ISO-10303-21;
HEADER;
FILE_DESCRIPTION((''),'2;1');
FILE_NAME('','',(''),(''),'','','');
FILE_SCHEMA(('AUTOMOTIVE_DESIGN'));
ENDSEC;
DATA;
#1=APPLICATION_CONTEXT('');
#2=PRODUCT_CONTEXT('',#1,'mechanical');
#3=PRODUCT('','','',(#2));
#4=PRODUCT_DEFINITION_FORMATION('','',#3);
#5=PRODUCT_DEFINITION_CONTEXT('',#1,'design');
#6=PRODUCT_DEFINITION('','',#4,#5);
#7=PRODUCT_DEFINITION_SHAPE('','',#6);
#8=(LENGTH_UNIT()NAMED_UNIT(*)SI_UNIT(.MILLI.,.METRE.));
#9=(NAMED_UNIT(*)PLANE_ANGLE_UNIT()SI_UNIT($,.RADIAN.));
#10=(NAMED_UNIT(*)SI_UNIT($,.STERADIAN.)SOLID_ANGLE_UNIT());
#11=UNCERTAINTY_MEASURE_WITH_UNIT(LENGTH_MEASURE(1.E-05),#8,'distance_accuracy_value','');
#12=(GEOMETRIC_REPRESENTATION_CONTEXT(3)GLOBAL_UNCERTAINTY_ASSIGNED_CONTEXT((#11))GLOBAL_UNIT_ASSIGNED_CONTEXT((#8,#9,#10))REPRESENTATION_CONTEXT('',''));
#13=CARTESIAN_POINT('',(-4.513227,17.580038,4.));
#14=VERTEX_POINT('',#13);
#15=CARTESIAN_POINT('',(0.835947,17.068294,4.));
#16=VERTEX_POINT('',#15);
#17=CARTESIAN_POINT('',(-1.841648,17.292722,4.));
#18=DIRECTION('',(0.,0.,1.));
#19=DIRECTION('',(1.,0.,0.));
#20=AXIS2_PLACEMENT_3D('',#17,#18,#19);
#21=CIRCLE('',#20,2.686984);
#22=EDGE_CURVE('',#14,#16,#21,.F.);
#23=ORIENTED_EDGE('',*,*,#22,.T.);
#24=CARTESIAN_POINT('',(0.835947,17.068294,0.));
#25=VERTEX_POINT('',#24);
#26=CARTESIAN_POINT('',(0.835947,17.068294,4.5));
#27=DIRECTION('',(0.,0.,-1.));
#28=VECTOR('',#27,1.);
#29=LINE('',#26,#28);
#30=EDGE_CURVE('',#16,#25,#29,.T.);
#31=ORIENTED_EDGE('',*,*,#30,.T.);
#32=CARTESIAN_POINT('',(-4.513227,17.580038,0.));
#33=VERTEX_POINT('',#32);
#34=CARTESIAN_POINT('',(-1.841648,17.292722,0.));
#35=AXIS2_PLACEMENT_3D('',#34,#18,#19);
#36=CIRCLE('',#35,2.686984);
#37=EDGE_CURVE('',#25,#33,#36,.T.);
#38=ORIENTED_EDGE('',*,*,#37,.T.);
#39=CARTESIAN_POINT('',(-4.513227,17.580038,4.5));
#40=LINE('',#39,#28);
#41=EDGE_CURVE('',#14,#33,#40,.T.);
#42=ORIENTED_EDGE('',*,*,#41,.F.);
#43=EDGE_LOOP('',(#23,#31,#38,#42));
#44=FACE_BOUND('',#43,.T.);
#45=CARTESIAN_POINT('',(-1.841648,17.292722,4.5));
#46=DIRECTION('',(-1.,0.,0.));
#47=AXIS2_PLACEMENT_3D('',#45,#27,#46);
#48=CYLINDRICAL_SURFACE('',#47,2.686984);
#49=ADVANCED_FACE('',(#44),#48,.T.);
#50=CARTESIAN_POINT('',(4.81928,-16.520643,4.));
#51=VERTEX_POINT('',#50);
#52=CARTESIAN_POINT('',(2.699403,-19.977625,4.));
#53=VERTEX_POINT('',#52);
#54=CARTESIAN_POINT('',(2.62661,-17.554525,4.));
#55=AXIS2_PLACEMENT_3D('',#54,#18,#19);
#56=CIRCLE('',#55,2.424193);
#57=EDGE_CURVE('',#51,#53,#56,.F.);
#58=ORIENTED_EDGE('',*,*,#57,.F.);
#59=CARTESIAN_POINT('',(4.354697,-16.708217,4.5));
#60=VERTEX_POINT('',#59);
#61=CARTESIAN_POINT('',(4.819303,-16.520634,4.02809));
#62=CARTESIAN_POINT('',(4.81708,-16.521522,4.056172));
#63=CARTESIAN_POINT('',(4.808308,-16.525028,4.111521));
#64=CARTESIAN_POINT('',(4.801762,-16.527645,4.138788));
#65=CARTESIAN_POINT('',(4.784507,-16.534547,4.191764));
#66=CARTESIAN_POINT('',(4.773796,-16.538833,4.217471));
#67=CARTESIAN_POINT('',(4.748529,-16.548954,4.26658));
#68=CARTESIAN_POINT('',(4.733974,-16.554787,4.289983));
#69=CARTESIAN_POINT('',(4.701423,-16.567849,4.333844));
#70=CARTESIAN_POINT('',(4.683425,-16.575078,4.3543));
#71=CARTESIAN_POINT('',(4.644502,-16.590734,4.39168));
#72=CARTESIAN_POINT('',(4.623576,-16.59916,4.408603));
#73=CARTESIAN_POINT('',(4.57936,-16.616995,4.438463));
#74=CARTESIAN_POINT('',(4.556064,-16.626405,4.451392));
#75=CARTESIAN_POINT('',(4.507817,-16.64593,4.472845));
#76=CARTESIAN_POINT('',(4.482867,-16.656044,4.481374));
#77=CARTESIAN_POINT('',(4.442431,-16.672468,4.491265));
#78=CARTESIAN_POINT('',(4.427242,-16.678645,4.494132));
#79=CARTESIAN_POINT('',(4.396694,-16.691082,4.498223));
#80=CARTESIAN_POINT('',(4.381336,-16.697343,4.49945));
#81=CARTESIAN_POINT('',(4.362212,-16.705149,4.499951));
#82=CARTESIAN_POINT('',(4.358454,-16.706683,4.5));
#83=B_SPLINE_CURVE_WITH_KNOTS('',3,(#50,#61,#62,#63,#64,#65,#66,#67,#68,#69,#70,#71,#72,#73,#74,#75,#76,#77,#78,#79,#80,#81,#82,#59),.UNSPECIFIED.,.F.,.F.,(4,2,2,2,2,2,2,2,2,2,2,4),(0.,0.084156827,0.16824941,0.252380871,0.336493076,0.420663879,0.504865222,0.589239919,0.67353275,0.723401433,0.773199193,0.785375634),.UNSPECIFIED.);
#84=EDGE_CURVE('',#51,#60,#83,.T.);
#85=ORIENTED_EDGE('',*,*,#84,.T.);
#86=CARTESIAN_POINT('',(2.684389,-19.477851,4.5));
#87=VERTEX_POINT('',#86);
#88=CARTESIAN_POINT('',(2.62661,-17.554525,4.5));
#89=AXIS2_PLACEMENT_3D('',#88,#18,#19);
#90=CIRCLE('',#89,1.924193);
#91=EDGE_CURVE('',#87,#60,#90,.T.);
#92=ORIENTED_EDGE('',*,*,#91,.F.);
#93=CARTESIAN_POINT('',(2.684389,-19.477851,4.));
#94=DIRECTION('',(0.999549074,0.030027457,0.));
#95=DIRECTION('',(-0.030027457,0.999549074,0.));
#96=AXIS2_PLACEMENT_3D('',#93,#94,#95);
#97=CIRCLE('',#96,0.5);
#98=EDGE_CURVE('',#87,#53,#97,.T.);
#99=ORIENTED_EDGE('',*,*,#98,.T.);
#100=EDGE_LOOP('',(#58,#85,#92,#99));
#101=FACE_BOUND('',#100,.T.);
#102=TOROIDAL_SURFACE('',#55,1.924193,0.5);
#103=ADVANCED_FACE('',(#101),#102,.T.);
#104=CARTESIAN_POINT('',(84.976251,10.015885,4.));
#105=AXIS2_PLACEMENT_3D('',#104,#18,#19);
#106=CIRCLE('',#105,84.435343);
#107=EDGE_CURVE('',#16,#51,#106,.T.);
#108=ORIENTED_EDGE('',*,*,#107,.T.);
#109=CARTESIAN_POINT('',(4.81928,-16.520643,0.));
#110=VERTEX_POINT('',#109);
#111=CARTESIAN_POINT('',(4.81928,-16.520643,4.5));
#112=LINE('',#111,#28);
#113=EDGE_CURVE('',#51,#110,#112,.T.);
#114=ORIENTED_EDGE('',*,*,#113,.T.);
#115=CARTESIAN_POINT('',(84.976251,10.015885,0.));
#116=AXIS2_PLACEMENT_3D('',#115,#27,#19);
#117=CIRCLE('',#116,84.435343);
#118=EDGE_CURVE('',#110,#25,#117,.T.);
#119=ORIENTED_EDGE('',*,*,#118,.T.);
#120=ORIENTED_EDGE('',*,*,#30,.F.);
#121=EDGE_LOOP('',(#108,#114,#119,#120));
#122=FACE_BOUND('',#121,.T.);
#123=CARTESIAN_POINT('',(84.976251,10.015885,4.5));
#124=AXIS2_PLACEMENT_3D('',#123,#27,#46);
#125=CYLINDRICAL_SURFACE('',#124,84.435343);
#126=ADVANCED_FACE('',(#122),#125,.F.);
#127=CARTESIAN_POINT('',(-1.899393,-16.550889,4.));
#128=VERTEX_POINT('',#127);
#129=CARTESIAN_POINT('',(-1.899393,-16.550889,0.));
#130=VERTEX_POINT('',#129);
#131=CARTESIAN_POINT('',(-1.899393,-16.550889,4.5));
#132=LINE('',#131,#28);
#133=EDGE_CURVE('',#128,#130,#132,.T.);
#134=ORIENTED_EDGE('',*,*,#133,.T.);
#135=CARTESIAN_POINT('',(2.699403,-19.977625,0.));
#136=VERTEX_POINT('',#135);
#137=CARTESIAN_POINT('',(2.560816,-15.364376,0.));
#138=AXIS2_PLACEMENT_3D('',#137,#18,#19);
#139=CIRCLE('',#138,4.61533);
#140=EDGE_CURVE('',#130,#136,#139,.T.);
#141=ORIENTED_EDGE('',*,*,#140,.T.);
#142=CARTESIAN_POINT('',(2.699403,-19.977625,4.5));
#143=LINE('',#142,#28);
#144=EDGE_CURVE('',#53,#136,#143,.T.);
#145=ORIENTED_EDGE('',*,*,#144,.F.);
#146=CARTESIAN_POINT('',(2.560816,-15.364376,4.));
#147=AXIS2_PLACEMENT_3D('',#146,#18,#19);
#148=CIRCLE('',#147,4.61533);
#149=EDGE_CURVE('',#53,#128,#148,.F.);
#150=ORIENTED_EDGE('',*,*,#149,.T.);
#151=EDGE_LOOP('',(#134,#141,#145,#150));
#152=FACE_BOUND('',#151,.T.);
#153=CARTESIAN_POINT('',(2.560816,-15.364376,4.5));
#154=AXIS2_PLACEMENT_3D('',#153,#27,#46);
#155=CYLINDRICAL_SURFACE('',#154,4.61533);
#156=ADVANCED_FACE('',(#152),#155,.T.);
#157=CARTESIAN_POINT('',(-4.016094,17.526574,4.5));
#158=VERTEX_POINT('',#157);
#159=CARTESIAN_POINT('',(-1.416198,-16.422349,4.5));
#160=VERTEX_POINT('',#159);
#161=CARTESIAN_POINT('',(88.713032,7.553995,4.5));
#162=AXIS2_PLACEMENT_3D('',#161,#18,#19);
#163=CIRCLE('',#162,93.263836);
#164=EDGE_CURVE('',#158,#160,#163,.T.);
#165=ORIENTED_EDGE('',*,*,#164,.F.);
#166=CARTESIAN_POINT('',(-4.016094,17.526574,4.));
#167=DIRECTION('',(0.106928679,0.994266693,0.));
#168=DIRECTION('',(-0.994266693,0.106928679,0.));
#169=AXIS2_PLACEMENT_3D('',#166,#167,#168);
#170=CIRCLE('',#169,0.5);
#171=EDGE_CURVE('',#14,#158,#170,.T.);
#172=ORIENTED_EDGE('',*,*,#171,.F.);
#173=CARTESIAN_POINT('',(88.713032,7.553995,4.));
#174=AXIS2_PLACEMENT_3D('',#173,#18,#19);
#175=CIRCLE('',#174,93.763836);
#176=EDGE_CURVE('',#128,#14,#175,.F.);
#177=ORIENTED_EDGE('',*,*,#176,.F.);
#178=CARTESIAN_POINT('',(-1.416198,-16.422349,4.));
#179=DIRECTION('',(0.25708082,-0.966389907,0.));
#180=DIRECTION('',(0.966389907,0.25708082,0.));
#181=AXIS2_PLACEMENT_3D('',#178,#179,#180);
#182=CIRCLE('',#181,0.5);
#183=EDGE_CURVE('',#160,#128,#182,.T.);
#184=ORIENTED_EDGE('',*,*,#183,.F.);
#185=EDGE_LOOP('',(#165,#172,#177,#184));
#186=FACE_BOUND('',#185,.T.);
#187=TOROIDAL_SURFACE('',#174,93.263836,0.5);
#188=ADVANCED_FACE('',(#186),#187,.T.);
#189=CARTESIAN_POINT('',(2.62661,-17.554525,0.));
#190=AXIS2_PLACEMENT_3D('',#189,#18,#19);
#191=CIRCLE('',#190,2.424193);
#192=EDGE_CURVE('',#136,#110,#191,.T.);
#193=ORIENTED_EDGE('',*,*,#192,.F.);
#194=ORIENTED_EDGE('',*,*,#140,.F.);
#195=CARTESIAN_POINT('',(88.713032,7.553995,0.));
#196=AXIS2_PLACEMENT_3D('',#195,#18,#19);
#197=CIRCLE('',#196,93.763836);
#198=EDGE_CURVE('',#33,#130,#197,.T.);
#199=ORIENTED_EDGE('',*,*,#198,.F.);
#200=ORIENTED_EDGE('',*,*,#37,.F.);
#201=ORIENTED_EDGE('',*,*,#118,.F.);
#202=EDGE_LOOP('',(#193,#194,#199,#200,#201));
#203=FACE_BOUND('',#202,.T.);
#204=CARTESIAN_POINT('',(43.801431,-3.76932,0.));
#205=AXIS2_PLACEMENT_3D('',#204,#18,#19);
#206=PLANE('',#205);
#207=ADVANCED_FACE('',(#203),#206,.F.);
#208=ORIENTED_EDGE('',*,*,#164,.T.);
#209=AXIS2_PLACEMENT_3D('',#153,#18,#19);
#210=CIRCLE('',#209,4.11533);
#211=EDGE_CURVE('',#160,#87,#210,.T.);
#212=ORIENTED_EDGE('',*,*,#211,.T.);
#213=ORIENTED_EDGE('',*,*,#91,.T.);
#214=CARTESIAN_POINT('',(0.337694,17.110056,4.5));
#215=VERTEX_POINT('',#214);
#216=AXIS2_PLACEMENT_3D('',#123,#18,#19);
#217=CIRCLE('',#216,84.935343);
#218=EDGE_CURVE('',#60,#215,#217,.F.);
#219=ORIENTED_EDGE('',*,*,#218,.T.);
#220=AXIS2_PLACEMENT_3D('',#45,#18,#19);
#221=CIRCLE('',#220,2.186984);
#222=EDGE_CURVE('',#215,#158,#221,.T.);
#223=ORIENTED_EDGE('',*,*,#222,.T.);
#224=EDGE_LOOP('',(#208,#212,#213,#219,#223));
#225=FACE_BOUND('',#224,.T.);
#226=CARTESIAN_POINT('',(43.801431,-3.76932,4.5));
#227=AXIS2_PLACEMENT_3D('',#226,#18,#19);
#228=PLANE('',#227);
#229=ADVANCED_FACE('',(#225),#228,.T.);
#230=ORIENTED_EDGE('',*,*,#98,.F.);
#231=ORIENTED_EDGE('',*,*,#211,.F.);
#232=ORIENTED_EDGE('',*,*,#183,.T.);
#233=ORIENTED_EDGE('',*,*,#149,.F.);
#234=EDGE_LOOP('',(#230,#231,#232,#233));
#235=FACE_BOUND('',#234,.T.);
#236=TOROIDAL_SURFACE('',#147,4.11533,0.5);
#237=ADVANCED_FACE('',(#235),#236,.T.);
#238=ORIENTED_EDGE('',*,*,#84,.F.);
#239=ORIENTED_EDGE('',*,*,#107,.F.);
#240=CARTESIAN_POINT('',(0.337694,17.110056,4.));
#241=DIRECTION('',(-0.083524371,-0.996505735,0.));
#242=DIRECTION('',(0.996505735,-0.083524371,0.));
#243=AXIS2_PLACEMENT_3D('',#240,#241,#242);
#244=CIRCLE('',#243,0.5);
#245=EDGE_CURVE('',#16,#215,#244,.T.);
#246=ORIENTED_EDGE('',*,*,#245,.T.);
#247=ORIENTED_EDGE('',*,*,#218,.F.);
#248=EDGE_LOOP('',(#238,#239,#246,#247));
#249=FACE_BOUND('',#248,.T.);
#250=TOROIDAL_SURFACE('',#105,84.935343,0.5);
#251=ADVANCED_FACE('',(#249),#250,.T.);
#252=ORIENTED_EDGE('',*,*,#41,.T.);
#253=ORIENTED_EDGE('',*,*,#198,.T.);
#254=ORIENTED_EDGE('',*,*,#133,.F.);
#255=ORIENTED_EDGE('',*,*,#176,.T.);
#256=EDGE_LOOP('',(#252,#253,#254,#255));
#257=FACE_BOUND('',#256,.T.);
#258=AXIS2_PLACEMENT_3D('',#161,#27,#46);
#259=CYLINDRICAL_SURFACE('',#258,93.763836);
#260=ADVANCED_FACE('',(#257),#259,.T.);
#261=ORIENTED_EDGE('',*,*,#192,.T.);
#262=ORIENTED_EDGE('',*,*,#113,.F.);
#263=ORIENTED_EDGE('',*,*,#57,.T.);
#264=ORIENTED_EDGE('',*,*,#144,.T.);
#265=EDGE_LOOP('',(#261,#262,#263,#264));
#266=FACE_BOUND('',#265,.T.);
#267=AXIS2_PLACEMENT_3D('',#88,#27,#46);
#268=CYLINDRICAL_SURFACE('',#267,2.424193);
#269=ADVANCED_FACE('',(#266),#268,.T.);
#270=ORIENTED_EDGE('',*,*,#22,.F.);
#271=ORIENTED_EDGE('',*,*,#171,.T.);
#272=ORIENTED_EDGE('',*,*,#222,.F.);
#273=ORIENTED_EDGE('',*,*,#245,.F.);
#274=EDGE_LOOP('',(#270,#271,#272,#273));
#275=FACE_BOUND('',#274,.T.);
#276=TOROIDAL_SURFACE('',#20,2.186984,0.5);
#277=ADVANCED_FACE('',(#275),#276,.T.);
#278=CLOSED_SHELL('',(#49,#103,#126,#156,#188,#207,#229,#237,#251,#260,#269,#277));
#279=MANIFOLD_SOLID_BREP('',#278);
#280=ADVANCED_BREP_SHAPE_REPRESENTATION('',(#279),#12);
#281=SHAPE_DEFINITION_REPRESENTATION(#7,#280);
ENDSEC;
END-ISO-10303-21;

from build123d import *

# Parameters (mm, degrees)
EXTRUDE1_DEPTH = 4.5
FILLET1_R      = 0.5


with BuildPart() as part:
    # Sketch1 → Extrude1 (new body)
    with BuildSketch(Plane.XY):
        with BuildLine():
            ThreePointArc((0.835946957, 17.068293658), (-1.585758315, 19.967494126), (-4.513227009, 17.580037985))
            ThreePointArc((-4.513227009, 17.580037985), (-4.777050033, 0.394283137), (-1.899392561, -16.550889029))
            ThreePointArc((-1.899392561, -16.550889029), (-0.196852221, -19.065259749), (2.699402745, -19.9776253))
            ThreePointArc((2.699402745, -19.9776253), (4.693192511, -18.821786668), (4.819280406, -16.520642949))
            ThreePointArc((4.819280406, -16.520642949), (1.128455685, 0.072321122), (0.835946957, 17.068293658))
        make_face()
    extrude(amount=EXTRUDE1_DEPTH)

    # Fillet1
    fillet1_edges = [part.edges().sort_by_distance(p)[0] for p in [
        (-4.777050033, 0.394283137, 4.5),
        (-0.196852221, -19.065259749, 4.5),
        (4.693192511, -18.821786668, 4.5),
        (1.128455685, 0.072321122, 4.5),
        (-1.585758315, 19.967494126, 4.5),
    ]]
    fillet(fillet1_edges, radius=FILLET1_R)


solid = part.part
